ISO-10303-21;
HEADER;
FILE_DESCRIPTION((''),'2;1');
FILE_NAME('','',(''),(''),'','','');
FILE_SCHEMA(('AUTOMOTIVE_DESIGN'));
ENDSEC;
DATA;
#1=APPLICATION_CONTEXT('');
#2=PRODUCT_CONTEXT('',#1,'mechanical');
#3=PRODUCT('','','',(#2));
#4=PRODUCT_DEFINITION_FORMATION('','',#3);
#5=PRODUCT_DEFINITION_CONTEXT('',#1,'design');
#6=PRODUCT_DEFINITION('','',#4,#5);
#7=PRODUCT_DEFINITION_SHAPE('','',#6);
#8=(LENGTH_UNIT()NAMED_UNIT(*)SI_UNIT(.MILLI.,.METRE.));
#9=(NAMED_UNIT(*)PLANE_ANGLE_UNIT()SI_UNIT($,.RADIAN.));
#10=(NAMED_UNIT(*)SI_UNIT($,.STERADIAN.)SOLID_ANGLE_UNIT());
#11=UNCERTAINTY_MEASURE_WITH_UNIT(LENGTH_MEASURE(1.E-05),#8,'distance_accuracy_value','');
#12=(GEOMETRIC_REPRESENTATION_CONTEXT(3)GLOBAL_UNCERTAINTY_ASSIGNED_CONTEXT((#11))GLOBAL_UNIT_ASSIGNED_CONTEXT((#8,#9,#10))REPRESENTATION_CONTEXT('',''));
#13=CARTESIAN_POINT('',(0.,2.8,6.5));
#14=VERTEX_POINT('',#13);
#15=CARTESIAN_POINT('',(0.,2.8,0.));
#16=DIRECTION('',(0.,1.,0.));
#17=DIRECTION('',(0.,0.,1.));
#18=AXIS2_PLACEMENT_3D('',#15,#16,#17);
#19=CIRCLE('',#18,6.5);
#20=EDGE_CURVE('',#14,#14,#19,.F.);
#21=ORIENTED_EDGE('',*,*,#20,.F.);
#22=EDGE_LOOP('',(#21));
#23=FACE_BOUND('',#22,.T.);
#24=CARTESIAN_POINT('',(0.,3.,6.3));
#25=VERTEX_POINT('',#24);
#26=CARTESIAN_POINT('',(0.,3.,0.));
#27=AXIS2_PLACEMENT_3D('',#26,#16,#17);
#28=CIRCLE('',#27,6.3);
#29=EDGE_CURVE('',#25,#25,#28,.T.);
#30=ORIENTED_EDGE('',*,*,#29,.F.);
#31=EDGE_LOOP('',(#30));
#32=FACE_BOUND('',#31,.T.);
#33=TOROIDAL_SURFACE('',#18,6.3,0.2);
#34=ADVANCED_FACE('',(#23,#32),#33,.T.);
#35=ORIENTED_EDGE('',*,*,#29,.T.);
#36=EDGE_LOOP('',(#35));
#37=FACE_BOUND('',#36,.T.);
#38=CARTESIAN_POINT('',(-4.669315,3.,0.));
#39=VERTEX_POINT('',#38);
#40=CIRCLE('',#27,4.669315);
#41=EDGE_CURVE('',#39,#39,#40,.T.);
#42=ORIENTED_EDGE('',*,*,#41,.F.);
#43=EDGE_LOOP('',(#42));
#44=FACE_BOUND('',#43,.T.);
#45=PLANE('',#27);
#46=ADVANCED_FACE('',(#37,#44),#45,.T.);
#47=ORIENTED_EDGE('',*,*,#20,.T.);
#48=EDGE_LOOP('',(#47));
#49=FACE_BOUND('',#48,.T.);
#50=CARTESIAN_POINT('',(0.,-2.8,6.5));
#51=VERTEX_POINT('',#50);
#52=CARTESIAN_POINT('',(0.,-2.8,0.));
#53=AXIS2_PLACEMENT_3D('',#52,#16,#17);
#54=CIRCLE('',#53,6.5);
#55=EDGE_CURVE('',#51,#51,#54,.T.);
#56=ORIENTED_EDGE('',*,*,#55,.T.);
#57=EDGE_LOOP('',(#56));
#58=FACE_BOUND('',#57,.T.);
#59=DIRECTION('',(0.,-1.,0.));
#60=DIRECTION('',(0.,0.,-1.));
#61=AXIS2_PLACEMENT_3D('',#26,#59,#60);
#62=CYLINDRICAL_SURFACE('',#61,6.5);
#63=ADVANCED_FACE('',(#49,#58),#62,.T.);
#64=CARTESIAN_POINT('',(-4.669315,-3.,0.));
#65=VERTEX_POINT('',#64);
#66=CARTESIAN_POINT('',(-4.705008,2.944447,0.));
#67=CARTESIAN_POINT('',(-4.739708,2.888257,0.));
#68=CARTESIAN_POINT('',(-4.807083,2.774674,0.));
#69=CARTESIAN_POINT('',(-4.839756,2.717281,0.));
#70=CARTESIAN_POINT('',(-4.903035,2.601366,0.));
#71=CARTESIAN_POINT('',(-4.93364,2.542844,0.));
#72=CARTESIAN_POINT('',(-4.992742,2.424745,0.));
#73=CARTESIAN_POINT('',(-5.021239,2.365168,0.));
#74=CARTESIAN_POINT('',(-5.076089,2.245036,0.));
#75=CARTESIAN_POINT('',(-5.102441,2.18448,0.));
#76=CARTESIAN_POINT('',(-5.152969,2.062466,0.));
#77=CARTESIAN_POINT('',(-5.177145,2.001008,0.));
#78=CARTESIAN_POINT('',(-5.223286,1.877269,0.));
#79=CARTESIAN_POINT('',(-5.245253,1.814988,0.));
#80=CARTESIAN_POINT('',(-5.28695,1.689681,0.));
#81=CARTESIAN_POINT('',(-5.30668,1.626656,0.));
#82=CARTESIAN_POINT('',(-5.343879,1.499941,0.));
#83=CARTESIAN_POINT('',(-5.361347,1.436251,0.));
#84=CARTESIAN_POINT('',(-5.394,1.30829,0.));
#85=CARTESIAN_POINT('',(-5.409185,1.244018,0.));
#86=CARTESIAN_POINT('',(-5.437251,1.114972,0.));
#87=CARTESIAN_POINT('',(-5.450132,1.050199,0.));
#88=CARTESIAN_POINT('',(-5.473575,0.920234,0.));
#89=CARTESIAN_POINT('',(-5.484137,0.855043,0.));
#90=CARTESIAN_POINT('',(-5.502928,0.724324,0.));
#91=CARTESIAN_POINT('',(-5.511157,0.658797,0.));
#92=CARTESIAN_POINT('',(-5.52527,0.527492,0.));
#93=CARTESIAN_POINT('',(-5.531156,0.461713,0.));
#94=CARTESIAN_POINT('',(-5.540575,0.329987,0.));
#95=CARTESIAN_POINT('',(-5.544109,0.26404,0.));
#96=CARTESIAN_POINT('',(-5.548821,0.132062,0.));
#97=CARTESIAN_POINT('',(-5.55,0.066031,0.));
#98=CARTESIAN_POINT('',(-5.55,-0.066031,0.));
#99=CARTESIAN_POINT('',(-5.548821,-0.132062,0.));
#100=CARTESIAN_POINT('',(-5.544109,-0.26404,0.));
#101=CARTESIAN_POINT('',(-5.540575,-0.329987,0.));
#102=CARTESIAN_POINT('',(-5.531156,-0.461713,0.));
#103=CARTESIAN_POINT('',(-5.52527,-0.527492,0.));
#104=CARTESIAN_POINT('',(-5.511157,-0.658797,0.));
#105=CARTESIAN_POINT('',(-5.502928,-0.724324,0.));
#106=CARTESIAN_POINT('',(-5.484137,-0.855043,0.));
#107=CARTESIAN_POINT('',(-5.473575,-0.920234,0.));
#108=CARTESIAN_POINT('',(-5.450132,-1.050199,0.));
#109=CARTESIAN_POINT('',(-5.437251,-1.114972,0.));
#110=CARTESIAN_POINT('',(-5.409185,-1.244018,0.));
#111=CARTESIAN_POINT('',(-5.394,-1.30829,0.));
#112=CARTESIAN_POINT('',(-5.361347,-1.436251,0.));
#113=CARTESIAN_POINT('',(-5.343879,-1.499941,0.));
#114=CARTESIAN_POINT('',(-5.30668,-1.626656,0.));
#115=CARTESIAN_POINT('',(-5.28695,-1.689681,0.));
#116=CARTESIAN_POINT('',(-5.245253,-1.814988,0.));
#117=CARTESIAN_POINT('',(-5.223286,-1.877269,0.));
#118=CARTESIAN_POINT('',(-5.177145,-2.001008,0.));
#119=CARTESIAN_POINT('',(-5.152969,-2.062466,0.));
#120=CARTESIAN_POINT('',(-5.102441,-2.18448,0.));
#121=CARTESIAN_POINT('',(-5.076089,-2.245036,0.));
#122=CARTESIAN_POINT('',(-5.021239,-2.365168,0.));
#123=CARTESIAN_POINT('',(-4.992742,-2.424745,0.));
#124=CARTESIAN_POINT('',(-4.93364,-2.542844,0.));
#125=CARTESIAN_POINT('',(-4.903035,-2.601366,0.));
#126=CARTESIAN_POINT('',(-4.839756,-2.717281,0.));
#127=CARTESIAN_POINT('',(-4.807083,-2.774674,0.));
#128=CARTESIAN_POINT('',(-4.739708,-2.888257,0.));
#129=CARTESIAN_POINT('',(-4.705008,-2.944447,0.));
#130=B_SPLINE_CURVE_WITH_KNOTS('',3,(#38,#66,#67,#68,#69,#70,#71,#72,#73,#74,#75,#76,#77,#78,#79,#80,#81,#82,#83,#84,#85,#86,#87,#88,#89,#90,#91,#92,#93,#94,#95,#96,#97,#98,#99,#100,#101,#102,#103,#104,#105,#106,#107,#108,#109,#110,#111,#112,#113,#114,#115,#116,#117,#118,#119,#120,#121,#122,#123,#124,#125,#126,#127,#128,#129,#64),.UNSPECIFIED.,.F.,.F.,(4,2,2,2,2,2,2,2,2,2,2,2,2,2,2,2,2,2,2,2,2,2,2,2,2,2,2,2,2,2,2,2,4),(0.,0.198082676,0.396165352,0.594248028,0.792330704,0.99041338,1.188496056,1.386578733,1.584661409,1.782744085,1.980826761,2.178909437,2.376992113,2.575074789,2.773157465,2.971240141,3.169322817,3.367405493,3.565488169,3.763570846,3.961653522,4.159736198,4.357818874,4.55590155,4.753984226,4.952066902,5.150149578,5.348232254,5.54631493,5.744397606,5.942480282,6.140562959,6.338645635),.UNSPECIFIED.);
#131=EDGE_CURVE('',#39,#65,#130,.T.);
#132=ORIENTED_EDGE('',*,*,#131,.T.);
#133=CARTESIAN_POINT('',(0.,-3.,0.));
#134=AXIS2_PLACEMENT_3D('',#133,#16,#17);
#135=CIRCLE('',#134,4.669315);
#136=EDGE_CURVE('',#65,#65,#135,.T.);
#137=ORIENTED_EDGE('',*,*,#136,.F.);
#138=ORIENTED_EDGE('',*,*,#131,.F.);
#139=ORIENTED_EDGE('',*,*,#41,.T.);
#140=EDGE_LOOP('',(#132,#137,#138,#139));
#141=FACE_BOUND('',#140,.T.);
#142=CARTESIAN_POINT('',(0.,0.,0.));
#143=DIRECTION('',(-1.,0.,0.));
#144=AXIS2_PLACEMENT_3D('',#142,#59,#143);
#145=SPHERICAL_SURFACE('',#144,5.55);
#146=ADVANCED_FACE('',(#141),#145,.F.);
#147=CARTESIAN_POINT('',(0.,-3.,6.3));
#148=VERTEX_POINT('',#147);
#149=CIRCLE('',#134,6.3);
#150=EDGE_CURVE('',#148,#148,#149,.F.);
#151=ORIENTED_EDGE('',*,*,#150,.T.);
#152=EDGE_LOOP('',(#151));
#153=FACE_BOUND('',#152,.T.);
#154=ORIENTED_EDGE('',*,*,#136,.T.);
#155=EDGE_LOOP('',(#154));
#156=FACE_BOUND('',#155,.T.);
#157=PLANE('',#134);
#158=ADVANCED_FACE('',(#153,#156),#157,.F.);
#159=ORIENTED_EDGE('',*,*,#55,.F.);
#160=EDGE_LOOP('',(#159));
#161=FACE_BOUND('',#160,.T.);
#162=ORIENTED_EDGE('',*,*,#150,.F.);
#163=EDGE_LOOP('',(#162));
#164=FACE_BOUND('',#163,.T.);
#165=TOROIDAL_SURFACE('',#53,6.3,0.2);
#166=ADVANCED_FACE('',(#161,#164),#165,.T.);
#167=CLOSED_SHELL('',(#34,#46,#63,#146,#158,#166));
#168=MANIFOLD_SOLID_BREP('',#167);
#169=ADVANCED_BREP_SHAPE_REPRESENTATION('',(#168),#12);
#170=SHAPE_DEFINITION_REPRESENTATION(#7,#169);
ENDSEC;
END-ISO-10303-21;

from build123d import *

# Parameters (mm, degrees)
SZKIC1_R                    = 6.5
DODANIE_WYCI_GNI_CIE1_DEPTH = 3
ZAOKR_GLENIE1_R             = 0.2


with BuildPart() as part:
    # Szkic1 → Dodanie-wyciągnięcie1 (new, symmetric)
    with BuildSketch(Plane(origin=(0, 0, 0), x_dir=(1, 0, 0), z_dir=(0, 1, 0))):
        with Locations(Location((0, 0, 0), (0, 0, 270))):
            Circle(SZKIC1_R)
    extrude(amount=DODANIE_WYCI_GNI_CIE1_DEPTH, both=True)

    # Szkic3 → Wycięcie-obrót1 (revolve, cut)
    with BuildSketch(Plane.XY):
        with BuildLine():
            Line((0, -5.55), (0, 5.55))
            ThreePointArc((0, 5.55), (5.55, 0), (0, -5.55))
        make_face()
    revolve(axis=Axis((0, -5.55, 0), (0, 1, 0)), mode=Mode.SUBTRACT)

    # Zaokrąglenie1
    zaokr_glenie1_edges = [part.edges().sort_by_distance(p)[0] for p in [
        (0, -3, -6.5),
        (0, 3, -6.5),
    ]]
    fillet(zaokr_glenie1_edges, radius=ZAOKR_GLENIE1_R)


solid = part.part
